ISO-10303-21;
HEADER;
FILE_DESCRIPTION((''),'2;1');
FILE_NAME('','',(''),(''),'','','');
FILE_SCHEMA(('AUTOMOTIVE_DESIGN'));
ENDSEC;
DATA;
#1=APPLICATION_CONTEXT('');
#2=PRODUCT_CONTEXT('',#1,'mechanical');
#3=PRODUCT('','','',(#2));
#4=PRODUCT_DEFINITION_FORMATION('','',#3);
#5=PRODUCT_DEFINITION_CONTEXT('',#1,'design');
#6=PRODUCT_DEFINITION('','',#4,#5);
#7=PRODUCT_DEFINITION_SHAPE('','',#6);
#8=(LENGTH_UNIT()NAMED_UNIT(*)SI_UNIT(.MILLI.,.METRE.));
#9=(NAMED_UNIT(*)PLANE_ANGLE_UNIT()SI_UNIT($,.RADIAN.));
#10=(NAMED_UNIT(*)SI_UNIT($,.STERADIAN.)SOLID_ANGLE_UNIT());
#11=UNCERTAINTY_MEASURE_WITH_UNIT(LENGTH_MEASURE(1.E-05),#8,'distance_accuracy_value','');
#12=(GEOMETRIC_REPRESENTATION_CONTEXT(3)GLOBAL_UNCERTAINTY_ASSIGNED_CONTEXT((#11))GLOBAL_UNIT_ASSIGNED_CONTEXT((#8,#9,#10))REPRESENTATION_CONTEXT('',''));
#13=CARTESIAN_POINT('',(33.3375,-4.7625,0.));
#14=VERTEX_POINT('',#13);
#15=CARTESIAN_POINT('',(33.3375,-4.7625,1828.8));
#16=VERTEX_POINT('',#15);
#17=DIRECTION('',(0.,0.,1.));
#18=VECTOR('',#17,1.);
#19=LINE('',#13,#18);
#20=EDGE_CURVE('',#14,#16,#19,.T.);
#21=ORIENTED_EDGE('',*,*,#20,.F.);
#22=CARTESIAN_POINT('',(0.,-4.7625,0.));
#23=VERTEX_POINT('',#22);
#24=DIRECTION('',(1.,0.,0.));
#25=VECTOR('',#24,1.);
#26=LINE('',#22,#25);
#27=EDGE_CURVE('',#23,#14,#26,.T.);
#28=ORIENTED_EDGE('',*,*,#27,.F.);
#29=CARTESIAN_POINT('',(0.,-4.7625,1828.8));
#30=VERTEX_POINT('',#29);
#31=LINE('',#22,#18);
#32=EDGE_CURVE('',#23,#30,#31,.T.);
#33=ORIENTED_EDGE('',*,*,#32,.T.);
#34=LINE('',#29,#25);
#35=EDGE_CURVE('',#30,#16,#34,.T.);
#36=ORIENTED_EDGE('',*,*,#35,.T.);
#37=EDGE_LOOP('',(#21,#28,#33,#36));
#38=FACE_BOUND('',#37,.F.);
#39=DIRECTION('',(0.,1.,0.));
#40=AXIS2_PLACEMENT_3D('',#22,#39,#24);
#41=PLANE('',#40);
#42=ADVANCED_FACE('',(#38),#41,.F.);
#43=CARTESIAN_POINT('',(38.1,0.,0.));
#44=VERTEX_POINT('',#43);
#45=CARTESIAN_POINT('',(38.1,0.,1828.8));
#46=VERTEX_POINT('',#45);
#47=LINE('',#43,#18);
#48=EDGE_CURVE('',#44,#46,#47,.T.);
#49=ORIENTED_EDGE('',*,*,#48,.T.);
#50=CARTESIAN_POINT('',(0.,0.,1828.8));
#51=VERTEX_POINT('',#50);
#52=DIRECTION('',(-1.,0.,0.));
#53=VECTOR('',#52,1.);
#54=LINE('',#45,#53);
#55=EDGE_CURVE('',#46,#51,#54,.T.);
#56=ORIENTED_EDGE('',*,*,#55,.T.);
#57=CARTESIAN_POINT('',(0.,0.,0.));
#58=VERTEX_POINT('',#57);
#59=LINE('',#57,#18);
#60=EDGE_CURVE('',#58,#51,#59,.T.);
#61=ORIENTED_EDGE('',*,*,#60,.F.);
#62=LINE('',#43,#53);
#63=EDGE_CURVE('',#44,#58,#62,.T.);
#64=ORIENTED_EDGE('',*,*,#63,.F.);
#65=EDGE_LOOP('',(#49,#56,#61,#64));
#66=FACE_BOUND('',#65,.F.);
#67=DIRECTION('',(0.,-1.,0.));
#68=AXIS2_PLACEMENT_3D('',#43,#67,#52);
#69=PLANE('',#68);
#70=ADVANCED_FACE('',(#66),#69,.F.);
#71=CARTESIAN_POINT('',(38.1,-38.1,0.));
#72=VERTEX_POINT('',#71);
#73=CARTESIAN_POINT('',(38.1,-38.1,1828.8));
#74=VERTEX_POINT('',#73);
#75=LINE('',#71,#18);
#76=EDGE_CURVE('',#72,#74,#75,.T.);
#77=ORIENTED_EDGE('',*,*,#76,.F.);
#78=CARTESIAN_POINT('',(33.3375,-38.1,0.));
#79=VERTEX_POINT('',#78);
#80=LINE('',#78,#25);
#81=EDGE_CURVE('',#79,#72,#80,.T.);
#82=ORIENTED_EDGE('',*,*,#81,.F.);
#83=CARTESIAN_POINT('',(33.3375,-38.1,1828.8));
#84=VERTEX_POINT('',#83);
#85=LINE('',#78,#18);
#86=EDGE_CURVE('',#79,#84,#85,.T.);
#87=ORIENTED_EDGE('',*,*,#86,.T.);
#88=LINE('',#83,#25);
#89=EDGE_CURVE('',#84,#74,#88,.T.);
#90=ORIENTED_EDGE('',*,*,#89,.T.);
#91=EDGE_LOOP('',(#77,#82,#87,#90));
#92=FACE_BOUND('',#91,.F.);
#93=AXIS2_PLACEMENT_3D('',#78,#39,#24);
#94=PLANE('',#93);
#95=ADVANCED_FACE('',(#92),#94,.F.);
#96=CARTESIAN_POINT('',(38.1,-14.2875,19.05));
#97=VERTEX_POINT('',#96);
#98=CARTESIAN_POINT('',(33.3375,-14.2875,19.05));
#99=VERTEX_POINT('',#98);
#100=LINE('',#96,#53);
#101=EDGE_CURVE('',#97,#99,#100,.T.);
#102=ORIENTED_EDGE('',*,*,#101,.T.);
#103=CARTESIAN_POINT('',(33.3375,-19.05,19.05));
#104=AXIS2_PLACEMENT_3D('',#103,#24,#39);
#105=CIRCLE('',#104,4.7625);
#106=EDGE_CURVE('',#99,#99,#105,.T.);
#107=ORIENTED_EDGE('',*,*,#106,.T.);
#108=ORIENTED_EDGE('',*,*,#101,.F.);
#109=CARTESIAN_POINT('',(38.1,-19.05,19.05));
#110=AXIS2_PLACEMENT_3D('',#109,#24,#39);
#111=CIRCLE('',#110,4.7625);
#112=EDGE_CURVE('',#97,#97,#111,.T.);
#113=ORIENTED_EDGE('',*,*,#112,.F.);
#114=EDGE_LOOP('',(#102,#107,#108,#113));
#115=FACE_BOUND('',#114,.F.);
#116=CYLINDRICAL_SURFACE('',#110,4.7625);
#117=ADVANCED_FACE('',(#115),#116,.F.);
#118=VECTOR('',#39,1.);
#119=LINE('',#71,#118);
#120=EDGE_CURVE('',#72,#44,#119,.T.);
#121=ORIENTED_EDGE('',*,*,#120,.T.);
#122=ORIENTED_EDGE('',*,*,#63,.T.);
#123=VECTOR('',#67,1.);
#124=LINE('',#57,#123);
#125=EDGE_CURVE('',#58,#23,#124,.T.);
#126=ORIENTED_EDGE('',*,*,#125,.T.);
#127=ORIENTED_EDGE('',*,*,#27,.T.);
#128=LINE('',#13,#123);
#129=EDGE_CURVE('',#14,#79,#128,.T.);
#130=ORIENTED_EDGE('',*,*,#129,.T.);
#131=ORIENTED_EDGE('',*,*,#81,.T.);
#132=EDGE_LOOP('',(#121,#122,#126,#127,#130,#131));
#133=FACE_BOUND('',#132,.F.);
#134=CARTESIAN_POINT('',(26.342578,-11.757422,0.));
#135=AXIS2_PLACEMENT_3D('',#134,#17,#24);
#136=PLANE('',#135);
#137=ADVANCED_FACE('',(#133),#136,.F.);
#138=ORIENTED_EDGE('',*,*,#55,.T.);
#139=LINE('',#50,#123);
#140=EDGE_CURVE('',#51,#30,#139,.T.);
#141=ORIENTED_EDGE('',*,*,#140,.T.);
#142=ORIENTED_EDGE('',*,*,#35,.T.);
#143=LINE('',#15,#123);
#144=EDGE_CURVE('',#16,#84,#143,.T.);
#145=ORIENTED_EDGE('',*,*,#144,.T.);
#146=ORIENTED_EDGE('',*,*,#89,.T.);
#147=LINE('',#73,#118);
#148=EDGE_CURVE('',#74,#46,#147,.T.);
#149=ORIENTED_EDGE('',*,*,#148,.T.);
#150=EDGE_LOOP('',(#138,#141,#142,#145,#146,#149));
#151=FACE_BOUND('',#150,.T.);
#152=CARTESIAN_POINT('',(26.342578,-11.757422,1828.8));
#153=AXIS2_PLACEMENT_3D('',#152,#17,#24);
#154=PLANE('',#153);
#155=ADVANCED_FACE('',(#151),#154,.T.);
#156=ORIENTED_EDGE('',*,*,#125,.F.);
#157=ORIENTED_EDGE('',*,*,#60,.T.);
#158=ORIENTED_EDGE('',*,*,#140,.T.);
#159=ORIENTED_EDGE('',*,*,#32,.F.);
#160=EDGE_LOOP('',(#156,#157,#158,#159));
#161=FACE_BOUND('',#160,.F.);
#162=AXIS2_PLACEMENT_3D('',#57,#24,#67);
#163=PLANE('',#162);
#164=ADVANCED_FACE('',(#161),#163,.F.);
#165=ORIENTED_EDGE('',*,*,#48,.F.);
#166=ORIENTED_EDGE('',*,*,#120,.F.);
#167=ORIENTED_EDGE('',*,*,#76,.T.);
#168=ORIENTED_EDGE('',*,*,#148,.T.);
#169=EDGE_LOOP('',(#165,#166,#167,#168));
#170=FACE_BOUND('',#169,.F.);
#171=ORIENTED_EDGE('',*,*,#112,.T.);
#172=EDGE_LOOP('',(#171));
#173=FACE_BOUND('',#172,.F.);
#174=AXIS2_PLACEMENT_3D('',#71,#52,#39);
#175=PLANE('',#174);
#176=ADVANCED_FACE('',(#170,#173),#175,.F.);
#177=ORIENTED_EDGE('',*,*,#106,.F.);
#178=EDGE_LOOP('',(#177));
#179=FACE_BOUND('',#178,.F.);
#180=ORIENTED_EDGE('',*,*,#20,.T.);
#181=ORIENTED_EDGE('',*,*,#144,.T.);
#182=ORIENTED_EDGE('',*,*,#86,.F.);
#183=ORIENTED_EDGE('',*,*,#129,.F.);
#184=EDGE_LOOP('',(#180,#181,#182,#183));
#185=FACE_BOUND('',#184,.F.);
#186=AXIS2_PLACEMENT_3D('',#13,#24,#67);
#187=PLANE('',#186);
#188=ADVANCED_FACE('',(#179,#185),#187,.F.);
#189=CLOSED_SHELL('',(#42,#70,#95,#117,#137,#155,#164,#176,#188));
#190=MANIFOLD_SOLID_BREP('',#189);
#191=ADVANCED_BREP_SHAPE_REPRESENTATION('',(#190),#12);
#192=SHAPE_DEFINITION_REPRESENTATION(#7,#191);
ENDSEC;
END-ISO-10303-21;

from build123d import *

# Parameters (mm, degrees)
F1_DEPTH = 1828.8
F2_R     = 4.7625
F3_DEPTH = 38.101


with BuildPart() as f1:
    # F0 (on Top) → F1 (new body)
    with BuildSketch(Plane.XY):
        Polygon((38.1, 0), (0, 0), (0, -4.7625), (33.3375, -4.7625), (33.3375, -38.1), (38.1, -38.1), align=None)
    extrude(amount=F1_DEPTH)

    # F2 (on face) → F3 (cut, through all)
    with BuildSketch(Plane.YZ.offset(38.1)):
        with Locations((-19.05, 19.05)):
            Circle(F2_R)
    extrude(amount=-F3_DEPTH, mode=Mode.SUBTRACT)


solid = f1.part
